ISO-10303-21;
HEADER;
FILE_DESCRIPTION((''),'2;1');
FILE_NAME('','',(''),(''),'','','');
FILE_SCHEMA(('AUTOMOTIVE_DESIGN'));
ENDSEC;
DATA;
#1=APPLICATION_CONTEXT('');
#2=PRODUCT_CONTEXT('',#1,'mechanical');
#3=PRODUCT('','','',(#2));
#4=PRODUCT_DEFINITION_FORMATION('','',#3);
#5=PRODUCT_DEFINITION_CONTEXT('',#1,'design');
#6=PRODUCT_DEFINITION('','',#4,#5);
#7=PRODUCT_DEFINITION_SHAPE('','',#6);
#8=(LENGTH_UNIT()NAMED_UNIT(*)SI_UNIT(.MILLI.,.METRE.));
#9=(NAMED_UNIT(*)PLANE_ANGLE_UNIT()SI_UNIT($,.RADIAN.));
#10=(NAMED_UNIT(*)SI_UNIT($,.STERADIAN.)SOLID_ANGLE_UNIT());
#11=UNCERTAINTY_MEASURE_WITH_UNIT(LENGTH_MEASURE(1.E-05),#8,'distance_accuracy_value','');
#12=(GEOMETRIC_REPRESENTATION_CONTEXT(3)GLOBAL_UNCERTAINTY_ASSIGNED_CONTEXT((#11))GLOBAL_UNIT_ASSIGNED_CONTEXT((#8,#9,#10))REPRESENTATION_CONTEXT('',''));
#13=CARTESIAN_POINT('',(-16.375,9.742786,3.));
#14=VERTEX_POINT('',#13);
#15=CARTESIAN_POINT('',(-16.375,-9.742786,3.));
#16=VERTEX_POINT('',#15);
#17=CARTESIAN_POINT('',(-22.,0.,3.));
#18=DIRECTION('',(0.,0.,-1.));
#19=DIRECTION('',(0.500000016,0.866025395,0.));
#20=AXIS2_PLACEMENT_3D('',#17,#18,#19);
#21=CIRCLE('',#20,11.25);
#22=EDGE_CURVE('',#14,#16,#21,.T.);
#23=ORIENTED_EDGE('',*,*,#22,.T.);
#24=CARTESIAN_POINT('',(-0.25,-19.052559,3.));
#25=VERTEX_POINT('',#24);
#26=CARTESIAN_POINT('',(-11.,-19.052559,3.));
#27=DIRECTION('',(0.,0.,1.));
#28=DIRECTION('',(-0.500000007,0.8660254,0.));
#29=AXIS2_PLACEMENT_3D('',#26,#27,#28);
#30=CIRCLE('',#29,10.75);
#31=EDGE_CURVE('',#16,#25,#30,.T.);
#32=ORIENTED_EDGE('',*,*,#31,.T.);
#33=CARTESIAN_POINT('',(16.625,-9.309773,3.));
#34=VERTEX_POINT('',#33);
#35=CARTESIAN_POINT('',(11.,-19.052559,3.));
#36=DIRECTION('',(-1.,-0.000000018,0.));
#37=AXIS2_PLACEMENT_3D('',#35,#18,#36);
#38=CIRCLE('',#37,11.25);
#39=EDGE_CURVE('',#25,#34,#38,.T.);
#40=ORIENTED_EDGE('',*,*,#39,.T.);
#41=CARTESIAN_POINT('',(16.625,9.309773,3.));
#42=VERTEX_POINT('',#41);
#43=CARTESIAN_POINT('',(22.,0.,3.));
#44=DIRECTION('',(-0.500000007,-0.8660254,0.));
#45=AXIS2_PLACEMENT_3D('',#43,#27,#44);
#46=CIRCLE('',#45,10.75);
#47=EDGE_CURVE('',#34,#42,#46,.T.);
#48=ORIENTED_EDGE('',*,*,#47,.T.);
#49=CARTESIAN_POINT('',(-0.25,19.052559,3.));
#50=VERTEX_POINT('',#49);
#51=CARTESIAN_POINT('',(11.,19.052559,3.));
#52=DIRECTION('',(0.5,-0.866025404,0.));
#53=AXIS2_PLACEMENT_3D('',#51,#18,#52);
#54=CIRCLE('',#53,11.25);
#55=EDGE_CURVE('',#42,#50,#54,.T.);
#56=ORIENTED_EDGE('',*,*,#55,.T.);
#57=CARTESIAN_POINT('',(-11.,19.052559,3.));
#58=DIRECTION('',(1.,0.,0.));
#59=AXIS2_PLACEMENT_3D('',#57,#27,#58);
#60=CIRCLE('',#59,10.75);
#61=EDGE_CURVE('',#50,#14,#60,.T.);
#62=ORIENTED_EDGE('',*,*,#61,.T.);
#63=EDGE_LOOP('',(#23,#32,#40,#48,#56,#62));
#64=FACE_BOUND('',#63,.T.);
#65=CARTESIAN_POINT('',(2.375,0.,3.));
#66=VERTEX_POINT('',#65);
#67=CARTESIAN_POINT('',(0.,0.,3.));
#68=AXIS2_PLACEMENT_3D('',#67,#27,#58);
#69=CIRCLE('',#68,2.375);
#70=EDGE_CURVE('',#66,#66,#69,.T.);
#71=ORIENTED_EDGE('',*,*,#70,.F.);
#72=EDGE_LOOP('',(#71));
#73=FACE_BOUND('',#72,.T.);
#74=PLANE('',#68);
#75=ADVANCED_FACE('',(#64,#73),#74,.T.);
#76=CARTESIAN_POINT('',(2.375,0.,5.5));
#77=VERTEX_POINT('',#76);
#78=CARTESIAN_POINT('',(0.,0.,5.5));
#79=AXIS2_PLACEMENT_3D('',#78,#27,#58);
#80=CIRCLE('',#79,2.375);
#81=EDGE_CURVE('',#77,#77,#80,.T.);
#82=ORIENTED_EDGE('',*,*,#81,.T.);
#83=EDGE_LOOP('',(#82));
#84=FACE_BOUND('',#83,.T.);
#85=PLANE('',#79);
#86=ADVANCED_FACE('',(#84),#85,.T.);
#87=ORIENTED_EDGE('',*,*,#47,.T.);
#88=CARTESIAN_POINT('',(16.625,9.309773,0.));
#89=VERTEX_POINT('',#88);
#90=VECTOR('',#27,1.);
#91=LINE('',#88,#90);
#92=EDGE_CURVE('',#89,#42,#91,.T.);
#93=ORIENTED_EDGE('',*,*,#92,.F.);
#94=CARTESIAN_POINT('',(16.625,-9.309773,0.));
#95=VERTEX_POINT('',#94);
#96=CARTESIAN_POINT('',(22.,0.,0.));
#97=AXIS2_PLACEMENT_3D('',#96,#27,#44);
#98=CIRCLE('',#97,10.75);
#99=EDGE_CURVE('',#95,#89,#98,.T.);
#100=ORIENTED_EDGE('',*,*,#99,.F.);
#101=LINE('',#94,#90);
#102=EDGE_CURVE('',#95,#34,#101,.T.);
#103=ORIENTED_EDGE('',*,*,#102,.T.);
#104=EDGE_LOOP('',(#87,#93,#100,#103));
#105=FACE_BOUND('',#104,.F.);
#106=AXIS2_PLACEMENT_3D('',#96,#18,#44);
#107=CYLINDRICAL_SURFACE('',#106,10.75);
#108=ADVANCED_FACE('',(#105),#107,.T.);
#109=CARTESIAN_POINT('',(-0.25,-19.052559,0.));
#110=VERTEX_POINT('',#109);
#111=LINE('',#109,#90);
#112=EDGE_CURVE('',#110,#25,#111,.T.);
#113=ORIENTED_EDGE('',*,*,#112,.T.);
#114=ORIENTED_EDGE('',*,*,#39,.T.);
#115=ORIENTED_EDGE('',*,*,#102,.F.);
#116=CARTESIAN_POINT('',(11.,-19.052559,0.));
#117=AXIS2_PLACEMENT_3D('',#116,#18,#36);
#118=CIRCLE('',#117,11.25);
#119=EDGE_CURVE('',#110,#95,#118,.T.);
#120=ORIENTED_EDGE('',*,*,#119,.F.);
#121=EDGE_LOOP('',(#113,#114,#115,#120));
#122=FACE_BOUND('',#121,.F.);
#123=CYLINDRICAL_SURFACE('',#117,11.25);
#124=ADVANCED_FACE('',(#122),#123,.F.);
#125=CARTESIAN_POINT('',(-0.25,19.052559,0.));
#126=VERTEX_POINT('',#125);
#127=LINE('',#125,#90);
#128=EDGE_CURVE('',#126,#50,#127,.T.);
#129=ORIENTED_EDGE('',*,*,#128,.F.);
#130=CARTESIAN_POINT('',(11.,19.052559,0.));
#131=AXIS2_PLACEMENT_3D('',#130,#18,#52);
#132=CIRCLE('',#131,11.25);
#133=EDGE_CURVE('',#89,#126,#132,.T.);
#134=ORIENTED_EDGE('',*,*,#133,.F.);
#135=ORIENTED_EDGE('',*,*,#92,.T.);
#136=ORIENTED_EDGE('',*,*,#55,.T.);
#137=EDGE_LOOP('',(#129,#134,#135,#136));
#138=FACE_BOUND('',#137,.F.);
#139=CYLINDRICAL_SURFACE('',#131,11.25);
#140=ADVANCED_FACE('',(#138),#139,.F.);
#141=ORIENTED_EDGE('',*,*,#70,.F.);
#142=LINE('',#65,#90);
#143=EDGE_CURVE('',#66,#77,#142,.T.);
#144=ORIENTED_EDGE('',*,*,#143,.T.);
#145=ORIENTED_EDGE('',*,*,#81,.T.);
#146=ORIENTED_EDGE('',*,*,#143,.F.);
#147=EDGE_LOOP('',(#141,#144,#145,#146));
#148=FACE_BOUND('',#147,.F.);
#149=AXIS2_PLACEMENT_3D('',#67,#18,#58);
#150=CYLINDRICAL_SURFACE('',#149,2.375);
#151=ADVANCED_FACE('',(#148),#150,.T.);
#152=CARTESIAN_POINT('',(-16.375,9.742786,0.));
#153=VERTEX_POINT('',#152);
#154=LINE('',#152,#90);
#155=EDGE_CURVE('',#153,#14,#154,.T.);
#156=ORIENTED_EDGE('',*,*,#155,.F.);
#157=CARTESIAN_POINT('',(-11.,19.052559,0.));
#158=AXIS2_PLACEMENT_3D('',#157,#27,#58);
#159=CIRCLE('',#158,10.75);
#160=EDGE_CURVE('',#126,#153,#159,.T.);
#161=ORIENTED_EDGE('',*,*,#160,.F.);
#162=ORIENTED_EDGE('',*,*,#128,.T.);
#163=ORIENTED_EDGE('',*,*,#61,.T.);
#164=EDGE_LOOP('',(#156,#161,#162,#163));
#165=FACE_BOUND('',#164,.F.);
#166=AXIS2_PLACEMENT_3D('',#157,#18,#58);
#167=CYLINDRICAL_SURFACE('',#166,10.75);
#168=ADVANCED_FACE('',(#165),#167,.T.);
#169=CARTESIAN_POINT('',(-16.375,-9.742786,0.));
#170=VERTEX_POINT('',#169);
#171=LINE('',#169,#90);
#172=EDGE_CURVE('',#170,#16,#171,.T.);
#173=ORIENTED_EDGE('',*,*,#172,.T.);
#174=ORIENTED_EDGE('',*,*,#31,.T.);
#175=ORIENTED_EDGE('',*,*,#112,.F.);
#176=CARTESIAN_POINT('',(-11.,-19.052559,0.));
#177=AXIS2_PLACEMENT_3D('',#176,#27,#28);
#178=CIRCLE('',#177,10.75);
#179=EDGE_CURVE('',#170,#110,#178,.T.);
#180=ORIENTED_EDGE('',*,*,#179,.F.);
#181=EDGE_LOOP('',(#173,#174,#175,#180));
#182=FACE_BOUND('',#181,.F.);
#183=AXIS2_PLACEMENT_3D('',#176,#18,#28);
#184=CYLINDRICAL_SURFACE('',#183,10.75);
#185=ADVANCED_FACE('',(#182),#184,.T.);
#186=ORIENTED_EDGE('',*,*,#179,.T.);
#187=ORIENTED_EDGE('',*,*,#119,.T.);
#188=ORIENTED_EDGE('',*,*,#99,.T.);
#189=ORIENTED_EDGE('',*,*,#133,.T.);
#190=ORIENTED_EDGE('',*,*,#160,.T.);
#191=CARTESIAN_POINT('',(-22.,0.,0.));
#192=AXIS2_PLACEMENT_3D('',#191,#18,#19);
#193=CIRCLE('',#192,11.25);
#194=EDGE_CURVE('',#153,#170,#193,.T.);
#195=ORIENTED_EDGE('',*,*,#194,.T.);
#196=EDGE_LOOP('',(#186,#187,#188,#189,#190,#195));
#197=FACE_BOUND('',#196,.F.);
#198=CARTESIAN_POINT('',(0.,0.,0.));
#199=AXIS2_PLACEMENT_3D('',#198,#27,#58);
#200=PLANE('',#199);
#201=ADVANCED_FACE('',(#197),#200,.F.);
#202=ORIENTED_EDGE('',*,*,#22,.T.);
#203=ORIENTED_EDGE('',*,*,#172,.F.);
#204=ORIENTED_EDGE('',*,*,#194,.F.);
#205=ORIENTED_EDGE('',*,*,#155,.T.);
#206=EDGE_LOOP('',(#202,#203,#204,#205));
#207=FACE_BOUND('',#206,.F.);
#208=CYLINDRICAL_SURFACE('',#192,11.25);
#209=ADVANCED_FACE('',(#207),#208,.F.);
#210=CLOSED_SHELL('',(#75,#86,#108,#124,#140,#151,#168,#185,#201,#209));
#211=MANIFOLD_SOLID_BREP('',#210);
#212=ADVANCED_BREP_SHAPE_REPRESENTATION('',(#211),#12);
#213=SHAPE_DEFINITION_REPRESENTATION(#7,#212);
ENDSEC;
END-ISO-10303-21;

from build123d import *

# Parameters (mm, degrees)
F1_DEPTH = 3
F2_R     = 2.375
F3_DEPTH = 2.5


with BuildPart() as f1:
    # F0 (on Top) → F1 (new body)
    with BuildSketch(Plane.XY):
        with BuildLine():
            ThreePointArc((16.625, -9.309773), (32.75, 0), (16.625, 9.309773))
            ThreePointArc((16.625, 9.309773), (5.375, 9.309773), (-0.25, 19.052559))
            ThreePointArc((-0.25, 19.052559), (-16.375, 28.362332), (-16.375, 9.742786))
            ThreePointArc((-16.375, 9.742786), (-10.75, 0), (-16.375, -9.742786))
            ThreePointArc((-16.375, -9.742786), (-16.375, -28.362332), (-0.25, -19.052559))
            ThreePointArc((-0.25, -19.052559), (5.375, -9.309773), (16.625, -9.309773))
        make_face()
    extrude(amount=F1_DEPTH)

    # F2 (on face) → F3 (join)
    with BuildSketch(Plane.XY.offset(3)):
        Circle(F2_R)
    extrude(amount=F3_DEPTH)


solid = f1.part
